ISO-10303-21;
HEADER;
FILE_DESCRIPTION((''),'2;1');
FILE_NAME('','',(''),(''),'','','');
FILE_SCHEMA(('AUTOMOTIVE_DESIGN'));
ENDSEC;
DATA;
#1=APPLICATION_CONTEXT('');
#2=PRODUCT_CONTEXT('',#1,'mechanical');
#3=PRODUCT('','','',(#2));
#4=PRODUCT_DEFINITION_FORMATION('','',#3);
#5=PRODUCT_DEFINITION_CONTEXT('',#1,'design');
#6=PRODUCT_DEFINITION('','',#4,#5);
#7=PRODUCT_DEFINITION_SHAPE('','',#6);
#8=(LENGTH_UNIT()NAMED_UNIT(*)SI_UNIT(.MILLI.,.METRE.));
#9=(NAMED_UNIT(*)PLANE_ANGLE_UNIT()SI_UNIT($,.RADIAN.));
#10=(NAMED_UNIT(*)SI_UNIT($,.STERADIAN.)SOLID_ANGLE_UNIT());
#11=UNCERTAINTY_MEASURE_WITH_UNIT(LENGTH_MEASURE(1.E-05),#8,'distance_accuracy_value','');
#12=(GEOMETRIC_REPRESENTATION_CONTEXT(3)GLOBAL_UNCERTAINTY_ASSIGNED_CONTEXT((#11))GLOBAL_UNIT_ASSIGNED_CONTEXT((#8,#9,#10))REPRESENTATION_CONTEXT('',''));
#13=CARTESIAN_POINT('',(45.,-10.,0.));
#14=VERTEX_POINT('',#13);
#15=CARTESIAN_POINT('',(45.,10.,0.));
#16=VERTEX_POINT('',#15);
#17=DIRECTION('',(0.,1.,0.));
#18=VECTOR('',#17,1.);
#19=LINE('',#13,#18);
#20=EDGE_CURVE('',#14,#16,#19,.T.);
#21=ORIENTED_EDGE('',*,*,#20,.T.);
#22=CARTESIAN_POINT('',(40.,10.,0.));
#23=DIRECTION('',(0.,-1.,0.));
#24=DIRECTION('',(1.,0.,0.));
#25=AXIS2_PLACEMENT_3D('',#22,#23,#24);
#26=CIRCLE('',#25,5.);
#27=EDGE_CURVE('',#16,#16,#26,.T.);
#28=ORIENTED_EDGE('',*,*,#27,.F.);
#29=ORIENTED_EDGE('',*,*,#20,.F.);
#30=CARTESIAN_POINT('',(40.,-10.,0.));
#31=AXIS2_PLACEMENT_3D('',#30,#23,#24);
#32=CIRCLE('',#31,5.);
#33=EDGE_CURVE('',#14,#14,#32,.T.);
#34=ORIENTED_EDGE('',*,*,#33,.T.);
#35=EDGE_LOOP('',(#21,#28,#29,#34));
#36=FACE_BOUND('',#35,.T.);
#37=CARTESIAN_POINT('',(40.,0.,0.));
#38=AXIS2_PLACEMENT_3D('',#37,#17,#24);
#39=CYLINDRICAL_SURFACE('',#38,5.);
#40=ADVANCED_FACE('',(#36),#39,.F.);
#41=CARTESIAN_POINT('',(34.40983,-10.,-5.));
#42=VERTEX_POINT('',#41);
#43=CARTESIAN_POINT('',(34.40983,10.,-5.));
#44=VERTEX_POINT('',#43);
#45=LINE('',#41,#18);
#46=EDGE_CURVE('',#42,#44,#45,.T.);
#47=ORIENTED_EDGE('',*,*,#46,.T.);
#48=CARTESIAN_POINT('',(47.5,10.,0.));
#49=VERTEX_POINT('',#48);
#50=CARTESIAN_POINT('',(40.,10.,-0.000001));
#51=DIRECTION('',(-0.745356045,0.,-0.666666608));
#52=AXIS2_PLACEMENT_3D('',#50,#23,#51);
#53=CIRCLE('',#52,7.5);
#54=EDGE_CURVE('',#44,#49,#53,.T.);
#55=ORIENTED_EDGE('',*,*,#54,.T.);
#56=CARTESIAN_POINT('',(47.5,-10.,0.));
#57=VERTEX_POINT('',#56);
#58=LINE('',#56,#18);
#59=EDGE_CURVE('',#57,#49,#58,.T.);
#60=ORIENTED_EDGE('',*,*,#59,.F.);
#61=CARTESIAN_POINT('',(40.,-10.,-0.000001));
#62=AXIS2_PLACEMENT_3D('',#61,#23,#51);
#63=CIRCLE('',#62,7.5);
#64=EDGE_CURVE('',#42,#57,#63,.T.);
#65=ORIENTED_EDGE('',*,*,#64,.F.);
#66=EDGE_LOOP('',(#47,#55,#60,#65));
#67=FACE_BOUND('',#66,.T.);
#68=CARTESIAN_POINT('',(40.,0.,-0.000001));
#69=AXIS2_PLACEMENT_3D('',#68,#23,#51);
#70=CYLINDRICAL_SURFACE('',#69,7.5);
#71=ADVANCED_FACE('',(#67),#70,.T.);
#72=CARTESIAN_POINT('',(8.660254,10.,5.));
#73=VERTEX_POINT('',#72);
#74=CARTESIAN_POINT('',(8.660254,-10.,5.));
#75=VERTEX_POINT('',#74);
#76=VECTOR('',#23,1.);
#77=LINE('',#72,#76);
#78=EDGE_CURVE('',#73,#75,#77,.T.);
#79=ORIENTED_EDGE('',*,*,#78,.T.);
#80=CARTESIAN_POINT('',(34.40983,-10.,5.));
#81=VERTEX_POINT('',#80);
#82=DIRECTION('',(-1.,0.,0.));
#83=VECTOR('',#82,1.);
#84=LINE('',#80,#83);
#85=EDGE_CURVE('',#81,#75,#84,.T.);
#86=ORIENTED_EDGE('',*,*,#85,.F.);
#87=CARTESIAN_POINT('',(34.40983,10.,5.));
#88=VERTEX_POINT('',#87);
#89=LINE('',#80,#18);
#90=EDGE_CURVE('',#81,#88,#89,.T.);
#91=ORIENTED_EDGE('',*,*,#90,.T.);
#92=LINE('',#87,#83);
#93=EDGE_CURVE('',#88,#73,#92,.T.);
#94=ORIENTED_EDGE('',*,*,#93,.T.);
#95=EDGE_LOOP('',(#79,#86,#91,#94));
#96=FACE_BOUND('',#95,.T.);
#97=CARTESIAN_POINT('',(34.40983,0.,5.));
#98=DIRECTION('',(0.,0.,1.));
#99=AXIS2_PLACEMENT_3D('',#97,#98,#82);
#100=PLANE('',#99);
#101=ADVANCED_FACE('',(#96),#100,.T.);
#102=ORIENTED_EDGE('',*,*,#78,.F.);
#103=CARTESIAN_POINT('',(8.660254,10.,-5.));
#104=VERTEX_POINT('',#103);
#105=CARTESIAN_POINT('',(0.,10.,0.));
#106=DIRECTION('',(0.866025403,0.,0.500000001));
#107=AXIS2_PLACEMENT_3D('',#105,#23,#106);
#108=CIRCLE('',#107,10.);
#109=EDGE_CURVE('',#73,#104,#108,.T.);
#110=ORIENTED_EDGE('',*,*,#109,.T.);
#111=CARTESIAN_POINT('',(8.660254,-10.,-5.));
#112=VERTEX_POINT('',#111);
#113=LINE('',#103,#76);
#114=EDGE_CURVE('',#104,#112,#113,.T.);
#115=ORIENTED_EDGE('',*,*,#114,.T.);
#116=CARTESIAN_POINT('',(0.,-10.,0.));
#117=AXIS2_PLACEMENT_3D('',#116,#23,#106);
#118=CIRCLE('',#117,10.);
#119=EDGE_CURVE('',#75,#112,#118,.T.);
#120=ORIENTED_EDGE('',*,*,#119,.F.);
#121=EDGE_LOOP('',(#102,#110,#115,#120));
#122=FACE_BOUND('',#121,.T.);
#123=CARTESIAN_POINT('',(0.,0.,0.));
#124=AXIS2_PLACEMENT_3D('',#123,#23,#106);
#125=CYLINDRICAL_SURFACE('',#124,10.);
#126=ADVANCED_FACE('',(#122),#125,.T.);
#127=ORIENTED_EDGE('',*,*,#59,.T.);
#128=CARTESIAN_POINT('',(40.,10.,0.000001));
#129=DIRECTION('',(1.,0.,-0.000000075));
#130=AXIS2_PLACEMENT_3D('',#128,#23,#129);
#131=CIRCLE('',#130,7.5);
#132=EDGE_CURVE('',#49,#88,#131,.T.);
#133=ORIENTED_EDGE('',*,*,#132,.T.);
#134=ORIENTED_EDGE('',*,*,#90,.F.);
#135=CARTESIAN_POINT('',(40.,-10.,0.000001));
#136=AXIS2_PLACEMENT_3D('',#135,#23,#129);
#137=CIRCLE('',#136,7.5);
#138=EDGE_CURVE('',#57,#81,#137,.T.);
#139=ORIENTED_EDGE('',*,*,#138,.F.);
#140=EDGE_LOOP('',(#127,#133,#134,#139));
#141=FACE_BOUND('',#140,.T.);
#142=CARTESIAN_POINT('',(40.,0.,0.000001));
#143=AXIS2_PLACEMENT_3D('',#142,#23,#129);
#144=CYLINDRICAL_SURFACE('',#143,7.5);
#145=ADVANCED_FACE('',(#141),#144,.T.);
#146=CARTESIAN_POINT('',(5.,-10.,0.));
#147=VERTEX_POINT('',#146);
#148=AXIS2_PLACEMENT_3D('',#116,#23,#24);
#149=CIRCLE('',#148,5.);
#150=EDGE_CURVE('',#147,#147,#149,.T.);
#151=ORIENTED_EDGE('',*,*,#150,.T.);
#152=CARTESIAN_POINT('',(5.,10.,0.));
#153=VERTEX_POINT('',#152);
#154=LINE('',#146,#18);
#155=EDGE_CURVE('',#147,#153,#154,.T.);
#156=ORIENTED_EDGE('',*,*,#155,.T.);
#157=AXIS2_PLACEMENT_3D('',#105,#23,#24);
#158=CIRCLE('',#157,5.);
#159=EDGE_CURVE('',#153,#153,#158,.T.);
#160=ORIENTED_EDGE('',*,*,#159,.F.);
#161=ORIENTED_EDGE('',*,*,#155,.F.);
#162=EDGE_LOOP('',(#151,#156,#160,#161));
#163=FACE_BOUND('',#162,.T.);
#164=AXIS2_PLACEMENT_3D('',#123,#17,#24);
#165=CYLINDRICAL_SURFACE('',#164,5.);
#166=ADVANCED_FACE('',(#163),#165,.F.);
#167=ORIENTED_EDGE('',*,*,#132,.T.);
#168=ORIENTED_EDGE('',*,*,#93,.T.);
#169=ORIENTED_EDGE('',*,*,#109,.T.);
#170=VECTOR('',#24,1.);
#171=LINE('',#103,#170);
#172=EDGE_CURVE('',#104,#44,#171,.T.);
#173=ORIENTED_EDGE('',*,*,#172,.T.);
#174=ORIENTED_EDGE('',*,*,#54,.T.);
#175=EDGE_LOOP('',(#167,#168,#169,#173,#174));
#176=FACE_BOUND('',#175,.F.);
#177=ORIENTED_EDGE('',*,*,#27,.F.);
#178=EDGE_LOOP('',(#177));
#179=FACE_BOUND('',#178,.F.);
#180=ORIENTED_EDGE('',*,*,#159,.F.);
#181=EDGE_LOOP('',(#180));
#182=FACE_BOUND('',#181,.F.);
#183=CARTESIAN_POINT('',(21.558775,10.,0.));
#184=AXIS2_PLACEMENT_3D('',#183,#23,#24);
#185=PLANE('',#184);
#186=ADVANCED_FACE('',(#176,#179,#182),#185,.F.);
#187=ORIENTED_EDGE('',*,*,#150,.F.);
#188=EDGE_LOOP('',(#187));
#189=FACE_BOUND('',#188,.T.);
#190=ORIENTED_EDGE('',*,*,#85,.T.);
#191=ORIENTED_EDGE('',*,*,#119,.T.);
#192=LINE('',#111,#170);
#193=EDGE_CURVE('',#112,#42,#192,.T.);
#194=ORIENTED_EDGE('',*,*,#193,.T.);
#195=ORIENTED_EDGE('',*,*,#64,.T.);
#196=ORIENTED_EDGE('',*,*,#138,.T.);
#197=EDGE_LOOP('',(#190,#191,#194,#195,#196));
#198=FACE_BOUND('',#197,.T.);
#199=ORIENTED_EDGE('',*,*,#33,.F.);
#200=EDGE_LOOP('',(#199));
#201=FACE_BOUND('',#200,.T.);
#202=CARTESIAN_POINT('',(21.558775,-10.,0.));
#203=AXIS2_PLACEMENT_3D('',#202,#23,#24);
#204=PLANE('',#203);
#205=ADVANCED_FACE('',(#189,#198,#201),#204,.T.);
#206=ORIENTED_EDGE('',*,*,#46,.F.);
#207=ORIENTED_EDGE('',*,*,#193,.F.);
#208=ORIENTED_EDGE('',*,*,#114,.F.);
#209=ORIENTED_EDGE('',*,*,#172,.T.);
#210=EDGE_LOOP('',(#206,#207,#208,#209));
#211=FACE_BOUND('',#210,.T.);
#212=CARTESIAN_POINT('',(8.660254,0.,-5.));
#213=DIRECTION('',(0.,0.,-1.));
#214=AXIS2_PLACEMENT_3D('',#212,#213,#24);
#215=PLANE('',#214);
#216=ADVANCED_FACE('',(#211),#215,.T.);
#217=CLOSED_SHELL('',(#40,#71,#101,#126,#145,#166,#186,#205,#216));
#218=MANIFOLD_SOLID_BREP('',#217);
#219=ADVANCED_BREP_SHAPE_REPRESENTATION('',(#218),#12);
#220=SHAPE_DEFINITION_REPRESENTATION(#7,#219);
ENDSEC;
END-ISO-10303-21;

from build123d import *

# Parameters (mm, degrees)
F0_R     = 5
F1_DEPTH = 10


with BuildPart() as f1:
    # F0 (on Front) → F1 (new body, symmetric)
    with BuildSketch(Plane.XZ):
        with BuildLine():
            ThreePointArc((8.660254, 5), (9.659258, 2.58819), (10, 0))
            ThreePointArc((10, 0), (9.659258, -2.58819), (8.660254, -5))
            Line((8.660254, -5), (34.40983, -5))
            ThreePointArc((34.40983, -5), (32.5, 0), (34.40983, 5))
            Line((34.40983, 5), (8.660254, 5))
        make_face()
        with BuildLine():
            ThreePointArc((47.5, 0), (42.676166, 7.006293), (34.40983, 5))
            ThreePointArc((34.40983, 5), (32.5, 0), (34.40983, -5))
            ThreePointArc((34.40983, -5), (42.676166, -7.006293), (47.5, 0))
        make_face()
        with Locations((40, 0)):
            Circle(F0_R, mode=Mode.SUBTRACT)
        with BuildLine():
            ThreePointArc((8.660254, -5), (9.659258, -2.58819), (10, 0))
            ThreePointArc((10, 0), (9.659258, 2.58819), (8.660254, 5))
            ThreePointArc((8.660254, 5), (-10, 0), (8.660254, -5))
        make_face()
        Circle(F0_R, mode=Mode.SUBTRACT)
    extrude(amount=F1_DEPTH, both=True)


solid = f1.part
